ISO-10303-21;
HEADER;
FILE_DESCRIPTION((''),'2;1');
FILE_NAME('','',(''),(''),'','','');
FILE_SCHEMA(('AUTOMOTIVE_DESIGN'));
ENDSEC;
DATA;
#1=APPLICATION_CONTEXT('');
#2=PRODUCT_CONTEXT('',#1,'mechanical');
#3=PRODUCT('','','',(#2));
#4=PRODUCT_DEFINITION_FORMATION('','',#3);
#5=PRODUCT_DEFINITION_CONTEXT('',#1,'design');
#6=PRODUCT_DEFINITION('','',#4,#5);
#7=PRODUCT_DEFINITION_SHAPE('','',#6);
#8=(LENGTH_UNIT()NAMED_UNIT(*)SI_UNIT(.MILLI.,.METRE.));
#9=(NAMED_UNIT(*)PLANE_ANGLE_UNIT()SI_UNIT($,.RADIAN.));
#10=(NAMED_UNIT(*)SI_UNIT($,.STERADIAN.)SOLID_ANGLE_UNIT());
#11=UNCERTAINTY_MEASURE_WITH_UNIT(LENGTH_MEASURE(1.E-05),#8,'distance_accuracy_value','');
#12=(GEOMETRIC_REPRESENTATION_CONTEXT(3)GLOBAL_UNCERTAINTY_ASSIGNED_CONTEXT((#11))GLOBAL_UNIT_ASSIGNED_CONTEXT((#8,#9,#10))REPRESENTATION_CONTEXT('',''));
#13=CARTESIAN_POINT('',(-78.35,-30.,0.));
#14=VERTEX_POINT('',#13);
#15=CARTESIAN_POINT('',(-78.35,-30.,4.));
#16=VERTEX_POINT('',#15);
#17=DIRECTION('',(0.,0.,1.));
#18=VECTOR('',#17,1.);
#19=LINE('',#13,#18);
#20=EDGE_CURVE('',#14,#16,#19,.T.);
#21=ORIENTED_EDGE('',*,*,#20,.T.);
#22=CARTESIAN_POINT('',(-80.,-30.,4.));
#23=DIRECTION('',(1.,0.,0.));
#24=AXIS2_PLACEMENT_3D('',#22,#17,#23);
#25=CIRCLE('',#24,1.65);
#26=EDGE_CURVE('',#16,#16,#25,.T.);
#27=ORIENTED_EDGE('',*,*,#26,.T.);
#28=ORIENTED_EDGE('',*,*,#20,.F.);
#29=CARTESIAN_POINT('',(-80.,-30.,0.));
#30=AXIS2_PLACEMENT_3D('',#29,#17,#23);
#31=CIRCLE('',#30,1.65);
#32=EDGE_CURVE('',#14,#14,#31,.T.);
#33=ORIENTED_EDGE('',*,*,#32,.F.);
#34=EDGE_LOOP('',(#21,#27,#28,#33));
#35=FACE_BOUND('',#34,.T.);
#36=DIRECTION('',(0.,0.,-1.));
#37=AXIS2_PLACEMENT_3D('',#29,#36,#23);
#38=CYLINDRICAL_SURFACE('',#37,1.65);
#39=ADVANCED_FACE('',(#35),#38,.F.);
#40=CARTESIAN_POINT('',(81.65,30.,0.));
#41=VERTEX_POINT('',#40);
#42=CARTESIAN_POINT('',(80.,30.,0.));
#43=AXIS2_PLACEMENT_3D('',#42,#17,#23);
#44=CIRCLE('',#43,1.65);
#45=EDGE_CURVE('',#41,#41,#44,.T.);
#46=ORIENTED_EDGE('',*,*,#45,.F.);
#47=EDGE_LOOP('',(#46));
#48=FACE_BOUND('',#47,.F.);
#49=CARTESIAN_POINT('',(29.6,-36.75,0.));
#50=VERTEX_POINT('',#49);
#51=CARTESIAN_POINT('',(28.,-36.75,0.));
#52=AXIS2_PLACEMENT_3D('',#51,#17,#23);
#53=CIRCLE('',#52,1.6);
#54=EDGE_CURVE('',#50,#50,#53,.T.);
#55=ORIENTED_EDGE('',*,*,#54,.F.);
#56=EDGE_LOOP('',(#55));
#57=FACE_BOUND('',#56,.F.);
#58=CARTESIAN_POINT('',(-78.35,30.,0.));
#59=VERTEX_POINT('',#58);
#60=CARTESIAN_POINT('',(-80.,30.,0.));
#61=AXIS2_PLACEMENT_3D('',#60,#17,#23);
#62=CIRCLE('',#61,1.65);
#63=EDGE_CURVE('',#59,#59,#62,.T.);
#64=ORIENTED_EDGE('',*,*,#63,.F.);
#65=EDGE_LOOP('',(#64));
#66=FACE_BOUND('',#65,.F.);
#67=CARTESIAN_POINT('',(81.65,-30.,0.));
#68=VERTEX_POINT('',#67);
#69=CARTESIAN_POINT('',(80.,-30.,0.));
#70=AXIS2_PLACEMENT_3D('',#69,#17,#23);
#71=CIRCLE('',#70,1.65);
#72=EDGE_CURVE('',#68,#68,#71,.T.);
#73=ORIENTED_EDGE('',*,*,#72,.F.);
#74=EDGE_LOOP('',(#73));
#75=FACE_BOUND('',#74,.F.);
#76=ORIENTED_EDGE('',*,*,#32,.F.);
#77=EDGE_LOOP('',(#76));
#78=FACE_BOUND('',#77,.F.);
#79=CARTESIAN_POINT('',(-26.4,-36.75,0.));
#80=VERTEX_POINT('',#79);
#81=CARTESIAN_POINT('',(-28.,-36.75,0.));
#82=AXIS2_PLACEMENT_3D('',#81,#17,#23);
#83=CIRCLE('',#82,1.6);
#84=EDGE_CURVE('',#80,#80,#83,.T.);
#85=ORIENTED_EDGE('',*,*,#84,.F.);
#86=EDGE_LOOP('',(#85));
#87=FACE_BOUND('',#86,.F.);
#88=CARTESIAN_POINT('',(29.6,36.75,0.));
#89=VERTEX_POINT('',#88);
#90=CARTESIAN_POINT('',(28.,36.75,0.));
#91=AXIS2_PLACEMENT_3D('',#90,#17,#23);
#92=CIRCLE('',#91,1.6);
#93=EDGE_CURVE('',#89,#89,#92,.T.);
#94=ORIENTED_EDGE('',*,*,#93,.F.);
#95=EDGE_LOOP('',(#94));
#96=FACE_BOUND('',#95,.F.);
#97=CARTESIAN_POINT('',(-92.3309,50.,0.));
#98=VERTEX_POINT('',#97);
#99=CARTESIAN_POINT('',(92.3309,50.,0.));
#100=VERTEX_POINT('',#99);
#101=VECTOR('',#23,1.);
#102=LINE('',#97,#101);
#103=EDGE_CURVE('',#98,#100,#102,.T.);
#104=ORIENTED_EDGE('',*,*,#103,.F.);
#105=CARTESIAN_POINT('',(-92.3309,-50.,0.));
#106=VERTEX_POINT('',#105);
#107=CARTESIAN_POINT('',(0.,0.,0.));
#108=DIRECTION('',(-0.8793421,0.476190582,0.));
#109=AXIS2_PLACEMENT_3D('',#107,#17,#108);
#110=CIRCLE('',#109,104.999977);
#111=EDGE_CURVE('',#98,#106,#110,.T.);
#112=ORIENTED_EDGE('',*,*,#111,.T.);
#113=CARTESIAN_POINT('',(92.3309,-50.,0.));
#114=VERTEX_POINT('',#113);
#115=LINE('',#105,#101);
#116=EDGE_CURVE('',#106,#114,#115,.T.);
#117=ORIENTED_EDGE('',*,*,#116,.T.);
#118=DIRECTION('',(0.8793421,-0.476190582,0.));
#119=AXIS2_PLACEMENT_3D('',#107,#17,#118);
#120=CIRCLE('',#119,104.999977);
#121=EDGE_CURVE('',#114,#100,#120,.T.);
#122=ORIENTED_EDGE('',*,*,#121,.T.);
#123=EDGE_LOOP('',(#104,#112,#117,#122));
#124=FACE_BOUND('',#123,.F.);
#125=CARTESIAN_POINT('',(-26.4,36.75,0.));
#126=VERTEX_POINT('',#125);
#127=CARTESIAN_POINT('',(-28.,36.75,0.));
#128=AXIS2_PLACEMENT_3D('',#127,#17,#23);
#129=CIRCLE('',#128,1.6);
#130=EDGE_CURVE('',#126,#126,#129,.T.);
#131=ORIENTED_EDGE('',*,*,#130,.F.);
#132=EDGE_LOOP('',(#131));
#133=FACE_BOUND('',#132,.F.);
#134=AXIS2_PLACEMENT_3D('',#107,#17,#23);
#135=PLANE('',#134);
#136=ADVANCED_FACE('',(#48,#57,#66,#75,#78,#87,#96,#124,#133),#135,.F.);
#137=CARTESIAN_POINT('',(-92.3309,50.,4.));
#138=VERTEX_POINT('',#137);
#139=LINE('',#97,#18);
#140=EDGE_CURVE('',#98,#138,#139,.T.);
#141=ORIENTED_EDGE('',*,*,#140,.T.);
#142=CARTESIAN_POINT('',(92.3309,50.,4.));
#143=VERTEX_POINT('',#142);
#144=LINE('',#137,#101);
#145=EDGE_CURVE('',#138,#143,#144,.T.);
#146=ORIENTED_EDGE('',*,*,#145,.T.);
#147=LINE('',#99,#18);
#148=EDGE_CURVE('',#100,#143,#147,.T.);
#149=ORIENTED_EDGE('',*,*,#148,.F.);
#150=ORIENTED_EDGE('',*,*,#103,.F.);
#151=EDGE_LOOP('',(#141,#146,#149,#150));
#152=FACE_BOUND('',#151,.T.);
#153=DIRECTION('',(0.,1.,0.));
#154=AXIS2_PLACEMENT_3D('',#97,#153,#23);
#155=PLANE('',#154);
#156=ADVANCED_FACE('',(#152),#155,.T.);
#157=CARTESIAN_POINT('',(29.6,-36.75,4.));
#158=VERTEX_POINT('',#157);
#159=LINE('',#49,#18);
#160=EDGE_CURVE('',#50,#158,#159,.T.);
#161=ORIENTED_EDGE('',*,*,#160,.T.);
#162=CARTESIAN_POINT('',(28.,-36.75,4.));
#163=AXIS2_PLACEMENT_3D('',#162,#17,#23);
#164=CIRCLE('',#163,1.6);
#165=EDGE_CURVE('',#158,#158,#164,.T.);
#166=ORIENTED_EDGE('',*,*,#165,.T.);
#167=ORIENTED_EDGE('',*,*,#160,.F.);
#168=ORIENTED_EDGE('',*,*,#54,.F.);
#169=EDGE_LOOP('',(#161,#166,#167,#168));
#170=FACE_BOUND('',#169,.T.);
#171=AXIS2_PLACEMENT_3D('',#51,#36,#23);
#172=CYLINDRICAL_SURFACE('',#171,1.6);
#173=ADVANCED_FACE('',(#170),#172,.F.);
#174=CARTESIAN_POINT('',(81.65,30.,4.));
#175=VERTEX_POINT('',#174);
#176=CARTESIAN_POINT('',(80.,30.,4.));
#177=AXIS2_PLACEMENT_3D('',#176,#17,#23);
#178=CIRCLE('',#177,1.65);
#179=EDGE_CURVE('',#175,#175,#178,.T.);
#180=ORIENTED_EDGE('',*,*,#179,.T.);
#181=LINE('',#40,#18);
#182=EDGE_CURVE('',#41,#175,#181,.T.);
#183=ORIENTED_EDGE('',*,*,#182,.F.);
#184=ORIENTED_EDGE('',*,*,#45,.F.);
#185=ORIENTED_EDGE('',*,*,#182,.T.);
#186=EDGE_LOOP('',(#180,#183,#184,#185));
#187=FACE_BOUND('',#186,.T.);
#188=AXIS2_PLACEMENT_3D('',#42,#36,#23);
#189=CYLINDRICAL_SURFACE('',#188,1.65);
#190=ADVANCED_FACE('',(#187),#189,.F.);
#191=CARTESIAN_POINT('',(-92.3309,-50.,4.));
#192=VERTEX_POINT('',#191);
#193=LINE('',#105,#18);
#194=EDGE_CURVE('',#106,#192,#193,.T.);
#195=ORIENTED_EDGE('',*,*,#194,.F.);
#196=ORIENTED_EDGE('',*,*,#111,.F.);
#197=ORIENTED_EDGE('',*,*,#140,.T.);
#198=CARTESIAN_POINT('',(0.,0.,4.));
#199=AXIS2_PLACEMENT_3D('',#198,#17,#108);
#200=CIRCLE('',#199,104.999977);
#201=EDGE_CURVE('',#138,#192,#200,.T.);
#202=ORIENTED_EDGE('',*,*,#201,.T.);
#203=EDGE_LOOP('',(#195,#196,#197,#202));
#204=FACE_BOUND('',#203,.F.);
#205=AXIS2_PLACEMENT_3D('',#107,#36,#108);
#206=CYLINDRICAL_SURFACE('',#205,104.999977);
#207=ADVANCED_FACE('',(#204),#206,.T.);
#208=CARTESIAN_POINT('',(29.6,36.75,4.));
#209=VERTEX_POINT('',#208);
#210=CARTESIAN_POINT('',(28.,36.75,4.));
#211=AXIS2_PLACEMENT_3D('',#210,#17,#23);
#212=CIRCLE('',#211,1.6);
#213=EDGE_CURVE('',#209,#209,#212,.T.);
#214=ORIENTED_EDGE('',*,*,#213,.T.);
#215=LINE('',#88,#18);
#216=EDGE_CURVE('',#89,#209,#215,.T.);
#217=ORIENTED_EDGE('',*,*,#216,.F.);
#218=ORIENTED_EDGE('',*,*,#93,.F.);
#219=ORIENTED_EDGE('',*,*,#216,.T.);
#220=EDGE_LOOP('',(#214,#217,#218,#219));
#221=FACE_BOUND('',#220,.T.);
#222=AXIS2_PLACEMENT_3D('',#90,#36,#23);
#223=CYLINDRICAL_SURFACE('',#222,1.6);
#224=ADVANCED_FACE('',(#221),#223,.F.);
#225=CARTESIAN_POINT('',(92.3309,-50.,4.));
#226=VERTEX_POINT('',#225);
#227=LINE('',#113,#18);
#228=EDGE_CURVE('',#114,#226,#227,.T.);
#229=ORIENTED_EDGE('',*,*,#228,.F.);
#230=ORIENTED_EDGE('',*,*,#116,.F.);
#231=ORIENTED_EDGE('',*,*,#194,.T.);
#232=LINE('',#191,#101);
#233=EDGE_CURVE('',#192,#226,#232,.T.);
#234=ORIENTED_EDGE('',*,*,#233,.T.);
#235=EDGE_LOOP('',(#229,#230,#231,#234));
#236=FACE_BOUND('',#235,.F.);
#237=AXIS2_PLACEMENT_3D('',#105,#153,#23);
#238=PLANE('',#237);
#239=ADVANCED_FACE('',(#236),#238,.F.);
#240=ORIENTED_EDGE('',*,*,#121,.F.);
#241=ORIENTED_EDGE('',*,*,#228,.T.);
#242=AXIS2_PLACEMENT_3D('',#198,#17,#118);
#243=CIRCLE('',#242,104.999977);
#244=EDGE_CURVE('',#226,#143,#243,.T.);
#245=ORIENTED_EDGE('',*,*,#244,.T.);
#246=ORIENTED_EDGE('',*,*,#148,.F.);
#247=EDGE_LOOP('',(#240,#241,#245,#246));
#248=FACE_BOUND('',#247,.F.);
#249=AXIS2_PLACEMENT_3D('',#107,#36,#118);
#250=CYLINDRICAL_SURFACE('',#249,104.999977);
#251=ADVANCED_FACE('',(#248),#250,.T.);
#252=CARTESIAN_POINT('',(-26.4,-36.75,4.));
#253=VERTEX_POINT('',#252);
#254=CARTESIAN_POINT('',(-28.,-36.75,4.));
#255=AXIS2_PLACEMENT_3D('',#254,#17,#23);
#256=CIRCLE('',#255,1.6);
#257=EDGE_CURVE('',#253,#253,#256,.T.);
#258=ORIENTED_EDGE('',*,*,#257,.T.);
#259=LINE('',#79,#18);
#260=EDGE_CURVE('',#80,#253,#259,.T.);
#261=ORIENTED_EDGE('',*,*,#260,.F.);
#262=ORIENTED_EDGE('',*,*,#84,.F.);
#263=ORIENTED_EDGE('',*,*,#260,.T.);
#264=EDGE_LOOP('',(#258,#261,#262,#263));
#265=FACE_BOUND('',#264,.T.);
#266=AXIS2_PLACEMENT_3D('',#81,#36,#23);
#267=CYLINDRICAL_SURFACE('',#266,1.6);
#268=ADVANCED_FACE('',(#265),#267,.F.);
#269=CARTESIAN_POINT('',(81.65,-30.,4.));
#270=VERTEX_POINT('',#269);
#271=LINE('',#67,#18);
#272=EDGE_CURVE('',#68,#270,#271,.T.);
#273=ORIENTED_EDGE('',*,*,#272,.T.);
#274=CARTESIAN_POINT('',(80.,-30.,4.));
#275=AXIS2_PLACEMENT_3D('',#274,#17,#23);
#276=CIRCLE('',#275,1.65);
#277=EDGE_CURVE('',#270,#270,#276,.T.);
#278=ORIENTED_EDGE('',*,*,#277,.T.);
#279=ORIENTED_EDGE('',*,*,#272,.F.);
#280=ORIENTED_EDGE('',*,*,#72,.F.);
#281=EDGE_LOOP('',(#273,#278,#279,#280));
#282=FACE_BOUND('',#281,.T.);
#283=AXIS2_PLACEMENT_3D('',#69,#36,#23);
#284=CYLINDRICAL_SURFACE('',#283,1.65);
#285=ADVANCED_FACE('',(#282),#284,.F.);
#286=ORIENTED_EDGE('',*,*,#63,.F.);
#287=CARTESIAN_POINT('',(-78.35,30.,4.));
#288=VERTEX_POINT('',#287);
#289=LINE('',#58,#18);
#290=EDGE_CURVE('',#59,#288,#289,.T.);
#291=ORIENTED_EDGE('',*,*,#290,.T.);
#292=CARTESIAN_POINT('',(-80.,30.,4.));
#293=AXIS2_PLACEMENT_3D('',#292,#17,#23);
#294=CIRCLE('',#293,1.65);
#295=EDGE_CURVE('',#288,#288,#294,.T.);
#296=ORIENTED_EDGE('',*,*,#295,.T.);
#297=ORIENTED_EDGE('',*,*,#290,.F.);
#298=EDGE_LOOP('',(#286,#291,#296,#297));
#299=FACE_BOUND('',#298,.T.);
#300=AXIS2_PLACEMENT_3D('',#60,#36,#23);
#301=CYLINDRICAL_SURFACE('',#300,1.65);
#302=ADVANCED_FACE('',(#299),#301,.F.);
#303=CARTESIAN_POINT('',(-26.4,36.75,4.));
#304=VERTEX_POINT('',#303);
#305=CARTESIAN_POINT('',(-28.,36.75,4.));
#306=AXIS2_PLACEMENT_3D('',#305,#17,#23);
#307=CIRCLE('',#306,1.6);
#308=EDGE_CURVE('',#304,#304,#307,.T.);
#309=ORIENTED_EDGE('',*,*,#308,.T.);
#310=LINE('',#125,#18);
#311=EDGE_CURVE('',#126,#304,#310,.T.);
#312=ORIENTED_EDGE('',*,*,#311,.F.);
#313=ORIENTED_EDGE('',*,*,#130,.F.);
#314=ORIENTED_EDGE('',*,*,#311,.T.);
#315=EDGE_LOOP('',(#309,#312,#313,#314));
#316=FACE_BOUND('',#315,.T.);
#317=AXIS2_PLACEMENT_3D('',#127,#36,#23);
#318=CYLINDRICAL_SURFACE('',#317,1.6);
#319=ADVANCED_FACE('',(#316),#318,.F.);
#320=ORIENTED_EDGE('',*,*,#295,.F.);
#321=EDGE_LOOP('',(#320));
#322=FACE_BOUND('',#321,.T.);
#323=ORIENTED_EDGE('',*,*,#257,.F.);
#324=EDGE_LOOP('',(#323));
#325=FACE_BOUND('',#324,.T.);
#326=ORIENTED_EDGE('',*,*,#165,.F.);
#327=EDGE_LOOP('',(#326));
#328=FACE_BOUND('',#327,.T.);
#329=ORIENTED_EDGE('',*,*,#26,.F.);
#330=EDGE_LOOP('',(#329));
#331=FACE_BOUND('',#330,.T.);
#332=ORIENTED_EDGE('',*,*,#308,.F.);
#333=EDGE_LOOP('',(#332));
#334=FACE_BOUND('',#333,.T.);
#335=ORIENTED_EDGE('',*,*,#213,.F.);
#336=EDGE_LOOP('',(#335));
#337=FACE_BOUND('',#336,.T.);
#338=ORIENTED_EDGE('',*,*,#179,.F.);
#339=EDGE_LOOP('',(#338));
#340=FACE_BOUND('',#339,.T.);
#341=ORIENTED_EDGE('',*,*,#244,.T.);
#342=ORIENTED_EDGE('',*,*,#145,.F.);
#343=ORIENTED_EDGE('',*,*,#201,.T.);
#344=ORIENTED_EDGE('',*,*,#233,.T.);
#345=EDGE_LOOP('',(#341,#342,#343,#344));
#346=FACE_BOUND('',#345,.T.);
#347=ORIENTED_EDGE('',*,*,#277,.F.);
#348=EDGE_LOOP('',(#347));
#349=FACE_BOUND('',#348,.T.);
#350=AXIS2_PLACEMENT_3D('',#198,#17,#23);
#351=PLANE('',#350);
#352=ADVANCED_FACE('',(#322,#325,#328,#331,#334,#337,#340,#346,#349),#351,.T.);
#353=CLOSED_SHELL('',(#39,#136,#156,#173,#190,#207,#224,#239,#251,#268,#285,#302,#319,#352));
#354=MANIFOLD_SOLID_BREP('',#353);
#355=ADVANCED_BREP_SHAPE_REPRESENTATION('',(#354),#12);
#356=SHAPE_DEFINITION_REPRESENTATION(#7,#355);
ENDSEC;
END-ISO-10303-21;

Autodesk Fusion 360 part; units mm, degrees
sketch "Sketch1" plane through (0, 0, 0) normal (0, 0, 1) x (1, 0, 0)
  circle A0 centre (-80, -30) radius 1.65
  line L0 (0, 2.5) -> (0, 20)
  line L1 (20, 0) -> (2.5, 0)
  circle A1 centre (-80, 30) radius 1.65
  circle A2 centre (80, -30) radius 1.65
  circle A3 centre (80, 30) radius 1.65
  line L2 (-28, 36.75) -> (28, 36.75) construction
  line L3 (28, 36.75) -> (28, -36.75) construction
  line L4 (28, -36.75) -> (-28, -36.75) construction
  line L5 (-28, -36.75) -> (-28, 36.75) construction
  circle A4 centre (-28, 36.75) radius 1.6
  circle A5 centre (28, 36.75) radius 1.6
  circle A6 centre (-28, -36.75) radius 1.6
  circle A7 centre (28, -36.75) radius 1.6
  line L6 (-92.3309, -50) -> (92.3309, -50)
  line L7 (-92.3309, 50) -> (92.3309, 50)
  arc A8 (-92.3309, 50) -> (-92.3309, -50) centre (0, 0) ccw
  arc A9 (92.3309, -50) -> (92.3309, 50) centre (0, 0) ccw
  dimension "d1" = 210
  dimension "d2" = 3.3
  dimension "d3" = 80
  dimension "d4" = 30
  dimension "d5" = 56
  dimension "d6" = 73.5
  dimension "d7" = 3.2
  dimension "d8" = 3.2
  dimension "d9" = 3.2
  dimension "d10" = 3.2
  dimension "d11" = 50
extrude "Extrude1" add sketch "Sketch1" along normal blind 4
equation "d6 = 28 mm + 45.5 mm"
